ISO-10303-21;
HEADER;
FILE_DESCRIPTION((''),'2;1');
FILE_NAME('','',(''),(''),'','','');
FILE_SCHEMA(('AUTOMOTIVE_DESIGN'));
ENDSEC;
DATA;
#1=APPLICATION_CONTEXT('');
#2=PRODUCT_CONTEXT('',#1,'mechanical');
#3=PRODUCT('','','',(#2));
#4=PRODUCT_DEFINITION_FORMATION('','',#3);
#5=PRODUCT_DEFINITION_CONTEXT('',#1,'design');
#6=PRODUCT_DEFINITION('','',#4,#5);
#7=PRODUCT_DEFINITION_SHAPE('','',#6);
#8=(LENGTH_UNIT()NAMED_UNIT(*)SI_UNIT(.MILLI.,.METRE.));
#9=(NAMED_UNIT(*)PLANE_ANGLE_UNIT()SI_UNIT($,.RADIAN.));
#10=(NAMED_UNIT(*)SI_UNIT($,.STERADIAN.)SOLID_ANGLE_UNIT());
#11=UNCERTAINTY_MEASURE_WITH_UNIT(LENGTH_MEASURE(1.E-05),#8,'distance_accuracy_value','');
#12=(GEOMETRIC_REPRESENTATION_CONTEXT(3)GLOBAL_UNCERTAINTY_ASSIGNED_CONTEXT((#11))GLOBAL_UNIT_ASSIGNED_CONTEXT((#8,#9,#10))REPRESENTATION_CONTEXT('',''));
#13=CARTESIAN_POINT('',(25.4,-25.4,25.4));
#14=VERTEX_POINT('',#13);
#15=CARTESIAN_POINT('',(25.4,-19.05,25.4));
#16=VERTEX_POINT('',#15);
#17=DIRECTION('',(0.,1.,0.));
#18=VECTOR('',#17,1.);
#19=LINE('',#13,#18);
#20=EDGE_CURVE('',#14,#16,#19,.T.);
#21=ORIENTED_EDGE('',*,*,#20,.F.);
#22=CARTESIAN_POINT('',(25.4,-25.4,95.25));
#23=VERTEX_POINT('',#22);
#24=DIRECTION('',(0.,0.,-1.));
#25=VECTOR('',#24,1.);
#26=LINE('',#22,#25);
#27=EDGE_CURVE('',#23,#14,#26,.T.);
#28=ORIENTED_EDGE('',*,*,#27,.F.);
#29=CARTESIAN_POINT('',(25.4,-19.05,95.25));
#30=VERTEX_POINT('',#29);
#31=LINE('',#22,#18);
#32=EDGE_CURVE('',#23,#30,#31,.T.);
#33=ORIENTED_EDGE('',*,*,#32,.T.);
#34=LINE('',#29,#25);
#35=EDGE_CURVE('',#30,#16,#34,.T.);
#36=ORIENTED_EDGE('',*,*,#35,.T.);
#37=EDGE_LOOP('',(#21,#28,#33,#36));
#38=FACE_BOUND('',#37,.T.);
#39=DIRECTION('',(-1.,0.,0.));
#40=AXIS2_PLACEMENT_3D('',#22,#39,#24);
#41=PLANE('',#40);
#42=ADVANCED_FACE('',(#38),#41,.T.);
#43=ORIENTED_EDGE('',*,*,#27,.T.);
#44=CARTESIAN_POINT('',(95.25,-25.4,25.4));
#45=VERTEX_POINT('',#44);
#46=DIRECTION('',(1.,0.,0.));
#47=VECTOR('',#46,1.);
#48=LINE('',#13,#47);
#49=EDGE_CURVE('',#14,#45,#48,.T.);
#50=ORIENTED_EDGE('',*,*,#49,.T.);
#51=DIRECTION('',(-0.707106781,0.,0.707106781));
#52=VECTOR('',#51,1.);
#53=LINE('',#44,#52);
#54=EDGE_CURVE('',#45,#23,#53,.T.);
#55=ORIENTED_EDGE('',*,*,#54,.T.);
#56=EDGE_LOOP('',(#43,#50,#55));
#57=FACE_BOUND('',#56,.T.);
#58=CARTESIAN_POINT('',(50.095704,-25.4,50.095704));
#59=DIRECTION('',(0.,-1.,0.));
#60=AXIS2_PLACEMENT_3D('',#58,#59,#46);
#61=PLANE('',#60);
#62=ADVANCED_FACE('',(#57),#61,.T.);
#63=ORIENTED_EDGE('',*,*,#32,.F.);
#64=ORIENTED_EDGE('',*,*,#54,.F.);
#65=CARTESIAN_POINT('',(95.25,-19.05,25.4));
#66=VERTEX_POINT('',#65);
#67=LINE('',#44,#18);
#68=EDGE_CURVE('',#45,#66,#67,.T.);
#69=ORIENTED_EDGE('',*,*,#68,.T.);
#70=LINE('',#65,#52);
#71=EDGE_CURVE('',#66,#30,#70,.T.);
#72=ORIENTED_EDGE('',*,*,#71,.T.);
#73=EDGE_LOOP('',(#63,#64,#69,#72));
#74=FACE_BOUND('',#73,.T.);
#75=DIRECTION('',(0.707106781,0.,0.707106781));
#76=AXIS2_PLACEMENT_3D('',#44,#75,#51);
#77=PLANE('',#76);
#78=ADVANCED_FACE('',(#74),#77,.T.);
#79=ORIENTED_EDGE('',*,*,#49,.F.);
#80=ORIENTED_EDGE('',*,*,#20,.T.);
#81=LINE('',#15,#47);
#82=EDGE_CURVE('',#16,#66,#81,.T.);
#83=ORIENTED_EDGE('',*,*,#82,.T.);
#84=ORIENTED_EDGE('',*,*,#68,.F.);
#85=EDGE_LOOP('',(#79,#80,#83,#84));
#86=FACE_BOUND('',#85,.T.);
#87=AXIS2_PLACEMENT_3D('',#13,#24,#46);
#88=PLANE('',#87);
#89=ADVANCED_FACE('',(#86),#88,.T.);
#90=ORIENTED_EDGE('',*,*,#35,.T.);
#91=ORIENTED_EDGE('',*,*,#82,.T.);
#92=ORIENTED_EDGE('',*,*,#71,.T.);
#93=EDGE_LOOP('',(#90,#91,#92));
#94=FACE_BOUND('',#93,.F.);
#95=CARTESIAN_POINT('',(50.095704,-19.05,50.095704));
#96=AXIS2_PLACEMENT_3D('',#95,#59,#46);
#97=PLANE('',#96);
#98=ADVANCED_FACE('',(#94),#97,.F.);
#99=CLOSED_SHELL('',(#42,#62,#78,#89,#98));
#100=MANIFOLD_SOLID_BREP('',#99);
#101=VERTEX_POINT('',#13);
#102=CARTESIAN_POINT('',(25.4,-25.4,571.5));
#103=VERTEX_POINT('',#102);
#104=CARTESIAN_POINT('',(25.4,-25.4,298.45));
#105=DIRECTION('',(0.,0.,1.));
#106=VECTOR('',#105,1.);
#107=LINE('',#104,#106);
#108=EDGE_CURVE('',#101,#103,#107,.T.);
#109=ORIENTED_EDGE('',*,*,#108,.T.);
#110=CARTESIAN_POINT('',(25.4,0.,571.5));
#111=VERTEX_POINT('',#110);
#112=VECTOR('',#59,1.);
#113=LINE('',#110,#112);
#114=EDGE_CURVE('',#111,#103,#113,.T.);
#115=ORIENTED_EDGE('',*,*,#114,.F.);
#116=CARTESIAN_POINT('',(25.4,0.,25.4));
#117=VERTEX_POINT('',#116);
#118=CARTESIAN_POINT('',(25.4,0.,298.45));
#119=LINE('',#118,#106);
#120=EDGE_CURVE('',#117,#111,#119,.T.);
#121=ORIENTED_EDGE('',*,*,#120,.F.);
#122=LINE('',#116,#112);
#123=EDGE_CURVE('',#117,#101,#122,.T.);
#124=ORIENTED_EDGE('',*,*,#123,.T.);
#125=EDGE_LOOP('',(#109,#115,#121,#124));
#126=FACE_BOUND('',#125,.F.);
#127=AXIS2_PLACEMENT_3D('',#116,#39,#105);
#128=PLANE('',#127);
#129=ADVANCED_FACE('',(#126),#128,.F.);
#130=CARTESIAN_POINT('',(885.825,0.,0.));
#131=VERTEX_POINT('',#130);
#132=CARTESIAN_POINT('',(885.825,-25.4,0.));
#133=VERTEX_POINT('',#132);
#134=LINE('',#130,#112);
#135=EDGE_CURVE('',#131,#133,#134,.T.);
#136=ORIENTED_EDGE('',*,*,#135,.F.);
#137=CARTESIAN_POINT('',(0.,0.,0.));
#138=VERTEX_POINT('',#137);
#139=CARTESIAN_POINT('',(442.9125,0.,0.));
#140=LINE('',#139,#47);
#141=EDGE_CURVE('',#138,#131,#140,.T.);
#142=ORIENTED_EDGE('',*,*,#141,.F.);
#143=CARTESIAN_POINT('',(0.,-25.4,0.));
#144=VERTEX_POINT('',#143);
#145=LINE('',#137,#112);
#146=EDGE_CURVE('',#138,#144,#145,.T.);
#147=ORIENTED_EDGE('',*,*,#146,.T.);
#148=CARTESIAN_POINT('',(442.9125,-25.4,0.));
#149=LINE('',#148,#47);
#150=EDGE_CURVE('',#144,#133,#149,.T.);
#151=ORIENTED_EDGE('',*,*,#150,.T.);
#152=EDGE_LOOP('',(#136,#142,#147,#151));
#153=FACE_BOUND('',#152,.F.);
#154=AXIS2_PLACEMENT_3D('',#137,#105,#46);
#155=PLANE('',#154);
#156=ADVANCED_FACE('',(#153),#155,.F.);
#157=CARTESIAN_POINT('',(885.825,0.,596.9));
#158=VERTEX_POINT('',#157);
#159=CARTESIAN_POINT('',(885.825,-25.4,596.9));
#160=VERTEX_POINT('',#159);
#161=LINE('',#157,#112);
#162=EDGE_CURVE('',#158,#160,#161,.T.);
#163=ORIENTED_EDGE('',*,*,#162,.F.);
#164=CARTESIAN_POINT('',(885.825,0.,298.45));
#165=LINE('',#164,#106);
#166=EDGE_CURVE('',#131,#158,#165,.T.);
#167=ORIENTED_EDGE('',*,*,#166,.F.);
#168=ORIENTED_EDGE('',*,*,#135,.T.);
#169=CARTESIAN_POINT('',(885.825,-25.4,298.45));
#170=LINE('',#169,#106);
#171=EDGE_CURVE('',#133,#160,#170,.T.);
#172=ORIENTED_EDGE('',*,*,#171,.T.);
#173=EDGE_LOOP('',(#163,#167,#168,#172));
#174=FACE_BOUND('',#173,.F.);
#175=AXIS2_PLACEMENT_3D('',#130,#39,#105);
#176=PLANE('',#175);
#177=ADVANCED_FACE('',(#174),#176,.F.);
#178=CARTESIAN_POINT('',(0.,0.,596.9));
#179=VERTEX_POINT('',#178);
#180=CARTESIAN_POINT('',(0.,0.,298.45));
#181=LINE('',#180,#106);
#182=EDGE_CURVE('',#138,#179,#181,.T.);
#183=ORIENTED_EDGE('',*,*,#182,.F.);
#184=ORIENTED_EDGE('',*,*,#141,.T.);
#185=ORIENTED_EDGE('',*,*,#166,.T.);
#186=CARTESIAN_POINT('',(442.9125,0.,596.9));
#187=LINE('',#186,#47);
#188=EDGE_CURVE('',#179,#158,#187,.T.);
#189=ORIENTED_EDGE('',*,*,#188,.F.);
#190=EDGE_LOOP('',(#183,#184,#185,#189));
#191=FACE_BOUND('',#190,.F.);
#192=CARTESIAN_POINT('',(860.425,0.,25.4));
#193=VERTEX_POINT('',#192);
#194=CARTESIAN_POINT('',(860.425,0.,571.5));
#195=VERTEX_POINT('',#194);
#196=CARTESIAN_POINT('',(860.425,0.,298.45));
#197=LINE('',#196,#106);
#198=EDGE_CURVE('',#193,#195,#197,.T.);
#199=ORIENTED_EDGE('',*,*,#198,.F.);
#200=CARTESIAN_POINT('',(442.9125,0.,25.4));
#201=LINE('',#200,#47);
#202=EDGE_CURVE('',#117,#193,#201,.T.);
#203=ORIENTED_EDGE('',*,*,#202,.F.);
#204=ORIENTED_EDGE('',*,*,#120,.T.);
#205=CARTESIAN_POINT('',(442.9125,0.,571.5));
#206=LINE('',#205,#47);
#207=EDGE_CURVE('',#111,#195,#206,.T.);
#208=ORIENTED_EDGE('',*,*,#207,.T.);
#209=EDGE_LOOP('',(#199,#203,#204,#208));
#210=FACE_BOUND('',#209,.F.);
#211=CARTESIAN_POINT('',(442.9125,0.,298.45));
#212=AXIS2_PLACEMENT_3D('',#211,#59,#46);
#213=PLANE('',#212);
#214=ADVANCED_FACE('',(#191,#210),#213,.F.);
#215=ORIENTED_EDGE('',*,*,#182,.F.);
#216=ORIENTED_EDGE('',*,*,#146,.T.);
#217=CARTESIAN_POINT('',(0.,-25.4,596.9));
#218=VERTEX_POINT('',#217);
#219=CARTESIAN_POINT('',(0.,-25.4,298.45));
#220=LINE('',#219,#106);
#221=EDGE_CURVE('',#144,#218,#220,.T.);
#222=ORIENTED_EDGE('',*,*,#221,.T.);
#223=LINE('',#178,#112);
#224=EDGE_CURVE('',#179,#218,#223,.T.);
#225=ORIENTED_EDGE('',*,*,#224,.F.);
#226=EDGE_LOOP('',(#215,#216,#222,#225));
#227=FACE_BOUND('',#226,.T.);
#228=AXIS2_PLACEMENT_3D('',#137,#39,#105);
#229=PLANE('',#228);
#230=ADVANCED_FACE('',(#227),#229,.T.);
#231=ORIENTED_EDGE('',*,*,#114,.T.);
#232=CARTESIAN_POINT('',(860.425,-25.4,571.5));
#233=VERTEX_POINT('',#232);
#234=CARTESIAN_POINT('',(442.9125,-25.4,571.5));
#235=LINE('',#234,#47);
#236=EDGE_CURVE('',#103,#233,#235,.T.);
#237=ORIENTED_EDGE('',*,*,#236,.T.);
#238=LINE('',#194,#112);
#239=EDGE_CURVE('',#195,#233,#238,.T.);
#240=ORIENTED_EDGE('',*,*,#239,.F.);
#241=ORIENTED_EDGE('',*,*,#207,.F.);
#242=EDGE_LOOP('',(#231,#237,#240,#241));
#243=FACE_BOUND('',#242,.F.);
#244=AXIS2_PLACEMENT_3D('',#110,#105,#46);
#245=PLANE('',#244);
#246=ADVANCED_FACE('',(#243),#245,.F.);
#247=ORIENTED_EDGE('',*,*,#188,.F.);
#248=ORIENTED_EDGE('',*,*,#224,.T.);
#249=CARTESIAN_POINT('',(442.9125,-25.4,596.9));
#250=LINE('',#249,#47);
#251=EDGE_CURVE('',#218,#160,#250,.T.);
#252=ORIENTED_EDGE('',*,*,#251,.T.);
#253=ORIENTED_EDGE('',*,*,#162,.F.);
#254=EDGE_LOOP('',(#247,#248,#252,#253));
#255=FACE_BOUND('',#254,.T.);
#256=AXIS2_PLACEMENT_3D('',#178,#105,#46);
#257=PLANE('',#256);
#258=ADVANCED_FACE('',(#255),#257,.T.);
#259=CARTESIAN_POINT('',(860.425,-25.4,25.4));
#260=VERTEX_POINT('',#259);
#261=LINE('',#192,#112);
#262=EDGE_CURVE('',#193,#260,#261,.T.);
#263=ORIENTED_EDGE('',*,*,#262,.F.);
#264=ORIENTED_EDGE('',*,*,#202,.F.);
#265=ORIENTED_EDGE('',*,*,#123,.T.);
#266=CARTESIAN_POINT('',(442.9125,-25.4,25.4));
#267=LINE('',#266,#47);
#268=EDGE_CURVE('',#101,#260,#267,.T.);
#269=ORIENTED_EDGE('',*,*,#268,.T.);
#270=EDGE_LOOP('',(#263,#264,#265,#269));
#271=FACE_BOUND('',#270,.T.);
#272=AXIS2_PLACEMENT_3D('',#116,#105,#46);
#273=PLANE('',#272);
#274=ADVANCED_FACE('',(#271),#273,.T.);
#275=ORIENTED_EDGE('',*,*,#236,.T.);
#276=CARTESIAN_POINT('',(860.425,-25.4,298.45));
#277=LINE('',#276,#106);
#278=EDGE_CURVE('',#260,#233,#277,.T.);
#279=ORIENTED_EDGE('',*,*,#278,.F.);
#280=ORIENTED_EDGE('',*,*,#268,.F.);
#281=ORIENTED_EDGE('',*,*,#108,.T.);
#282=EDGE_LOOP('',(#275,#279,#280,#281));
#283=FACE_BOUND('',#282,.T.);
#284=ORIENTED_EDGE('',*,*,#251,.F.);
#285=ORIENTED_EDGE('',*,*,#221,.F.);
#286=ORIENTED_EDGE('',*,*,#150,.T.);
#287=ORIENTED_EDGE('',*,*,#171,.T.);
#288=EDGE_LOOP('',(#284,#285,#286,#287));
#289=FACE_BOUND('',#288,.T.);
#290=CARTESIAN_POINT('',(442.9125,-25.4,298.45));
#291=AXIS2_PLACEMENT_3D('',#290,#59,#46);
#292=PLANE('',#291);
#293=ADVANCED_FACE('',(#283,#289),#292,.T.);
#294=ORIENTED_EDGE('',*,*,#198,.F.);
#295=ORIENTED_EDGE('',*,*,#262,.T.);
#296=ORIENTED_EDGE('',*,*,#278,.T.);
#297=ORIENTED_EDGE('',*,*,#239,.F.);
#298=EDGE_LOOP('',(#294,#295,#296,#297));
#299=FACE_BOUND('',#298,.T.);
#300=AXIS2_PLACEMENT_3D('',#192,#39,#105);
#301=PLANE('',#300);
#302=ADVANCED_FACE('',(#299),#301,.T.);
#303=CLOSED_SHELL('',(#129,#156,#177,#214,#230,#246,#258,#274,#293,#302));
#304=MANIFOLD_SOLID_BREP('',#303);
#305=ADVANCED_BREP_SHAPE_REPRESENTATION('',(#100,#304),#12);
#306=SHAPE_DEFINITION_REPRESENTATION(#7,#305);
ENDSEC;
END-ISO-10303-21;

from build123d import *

# Parameters (mm, degrees)
F0_W     = 885.825
F0_H     = 596.9
F0_W_2   = 835.025
F0_H_2   = 546.1
F1_DEPTH = 25.4
F3_DEPTH = 6.35


with BuildPart() as f1:
    # F0 (on Front) → F1 (new body)
    with BuildSketch(Plane.XZ):
        with Locations((442.9125, 298.45)):
            Rectangle(F0_W, F0_H)
        with Locations((442.9125, 298.45)):
            Rectangle(F0_W_2, F0_H_2, mode=Mode.SUBTRACT)
    extrude(amount=F1_DEPTH)


with BuildPart() as f3:
    # F2 (on face) → F3 (new body)
    with BuildSketch(Plane.XZ.offset(25.4)):
        Polygon((25.4, 95.25), (25.4, 25.4), (95.25, 25.4), align=None)
    extrude(amount=-F3_DEPTH)


solid = Compound([f1.part, f3.part])
